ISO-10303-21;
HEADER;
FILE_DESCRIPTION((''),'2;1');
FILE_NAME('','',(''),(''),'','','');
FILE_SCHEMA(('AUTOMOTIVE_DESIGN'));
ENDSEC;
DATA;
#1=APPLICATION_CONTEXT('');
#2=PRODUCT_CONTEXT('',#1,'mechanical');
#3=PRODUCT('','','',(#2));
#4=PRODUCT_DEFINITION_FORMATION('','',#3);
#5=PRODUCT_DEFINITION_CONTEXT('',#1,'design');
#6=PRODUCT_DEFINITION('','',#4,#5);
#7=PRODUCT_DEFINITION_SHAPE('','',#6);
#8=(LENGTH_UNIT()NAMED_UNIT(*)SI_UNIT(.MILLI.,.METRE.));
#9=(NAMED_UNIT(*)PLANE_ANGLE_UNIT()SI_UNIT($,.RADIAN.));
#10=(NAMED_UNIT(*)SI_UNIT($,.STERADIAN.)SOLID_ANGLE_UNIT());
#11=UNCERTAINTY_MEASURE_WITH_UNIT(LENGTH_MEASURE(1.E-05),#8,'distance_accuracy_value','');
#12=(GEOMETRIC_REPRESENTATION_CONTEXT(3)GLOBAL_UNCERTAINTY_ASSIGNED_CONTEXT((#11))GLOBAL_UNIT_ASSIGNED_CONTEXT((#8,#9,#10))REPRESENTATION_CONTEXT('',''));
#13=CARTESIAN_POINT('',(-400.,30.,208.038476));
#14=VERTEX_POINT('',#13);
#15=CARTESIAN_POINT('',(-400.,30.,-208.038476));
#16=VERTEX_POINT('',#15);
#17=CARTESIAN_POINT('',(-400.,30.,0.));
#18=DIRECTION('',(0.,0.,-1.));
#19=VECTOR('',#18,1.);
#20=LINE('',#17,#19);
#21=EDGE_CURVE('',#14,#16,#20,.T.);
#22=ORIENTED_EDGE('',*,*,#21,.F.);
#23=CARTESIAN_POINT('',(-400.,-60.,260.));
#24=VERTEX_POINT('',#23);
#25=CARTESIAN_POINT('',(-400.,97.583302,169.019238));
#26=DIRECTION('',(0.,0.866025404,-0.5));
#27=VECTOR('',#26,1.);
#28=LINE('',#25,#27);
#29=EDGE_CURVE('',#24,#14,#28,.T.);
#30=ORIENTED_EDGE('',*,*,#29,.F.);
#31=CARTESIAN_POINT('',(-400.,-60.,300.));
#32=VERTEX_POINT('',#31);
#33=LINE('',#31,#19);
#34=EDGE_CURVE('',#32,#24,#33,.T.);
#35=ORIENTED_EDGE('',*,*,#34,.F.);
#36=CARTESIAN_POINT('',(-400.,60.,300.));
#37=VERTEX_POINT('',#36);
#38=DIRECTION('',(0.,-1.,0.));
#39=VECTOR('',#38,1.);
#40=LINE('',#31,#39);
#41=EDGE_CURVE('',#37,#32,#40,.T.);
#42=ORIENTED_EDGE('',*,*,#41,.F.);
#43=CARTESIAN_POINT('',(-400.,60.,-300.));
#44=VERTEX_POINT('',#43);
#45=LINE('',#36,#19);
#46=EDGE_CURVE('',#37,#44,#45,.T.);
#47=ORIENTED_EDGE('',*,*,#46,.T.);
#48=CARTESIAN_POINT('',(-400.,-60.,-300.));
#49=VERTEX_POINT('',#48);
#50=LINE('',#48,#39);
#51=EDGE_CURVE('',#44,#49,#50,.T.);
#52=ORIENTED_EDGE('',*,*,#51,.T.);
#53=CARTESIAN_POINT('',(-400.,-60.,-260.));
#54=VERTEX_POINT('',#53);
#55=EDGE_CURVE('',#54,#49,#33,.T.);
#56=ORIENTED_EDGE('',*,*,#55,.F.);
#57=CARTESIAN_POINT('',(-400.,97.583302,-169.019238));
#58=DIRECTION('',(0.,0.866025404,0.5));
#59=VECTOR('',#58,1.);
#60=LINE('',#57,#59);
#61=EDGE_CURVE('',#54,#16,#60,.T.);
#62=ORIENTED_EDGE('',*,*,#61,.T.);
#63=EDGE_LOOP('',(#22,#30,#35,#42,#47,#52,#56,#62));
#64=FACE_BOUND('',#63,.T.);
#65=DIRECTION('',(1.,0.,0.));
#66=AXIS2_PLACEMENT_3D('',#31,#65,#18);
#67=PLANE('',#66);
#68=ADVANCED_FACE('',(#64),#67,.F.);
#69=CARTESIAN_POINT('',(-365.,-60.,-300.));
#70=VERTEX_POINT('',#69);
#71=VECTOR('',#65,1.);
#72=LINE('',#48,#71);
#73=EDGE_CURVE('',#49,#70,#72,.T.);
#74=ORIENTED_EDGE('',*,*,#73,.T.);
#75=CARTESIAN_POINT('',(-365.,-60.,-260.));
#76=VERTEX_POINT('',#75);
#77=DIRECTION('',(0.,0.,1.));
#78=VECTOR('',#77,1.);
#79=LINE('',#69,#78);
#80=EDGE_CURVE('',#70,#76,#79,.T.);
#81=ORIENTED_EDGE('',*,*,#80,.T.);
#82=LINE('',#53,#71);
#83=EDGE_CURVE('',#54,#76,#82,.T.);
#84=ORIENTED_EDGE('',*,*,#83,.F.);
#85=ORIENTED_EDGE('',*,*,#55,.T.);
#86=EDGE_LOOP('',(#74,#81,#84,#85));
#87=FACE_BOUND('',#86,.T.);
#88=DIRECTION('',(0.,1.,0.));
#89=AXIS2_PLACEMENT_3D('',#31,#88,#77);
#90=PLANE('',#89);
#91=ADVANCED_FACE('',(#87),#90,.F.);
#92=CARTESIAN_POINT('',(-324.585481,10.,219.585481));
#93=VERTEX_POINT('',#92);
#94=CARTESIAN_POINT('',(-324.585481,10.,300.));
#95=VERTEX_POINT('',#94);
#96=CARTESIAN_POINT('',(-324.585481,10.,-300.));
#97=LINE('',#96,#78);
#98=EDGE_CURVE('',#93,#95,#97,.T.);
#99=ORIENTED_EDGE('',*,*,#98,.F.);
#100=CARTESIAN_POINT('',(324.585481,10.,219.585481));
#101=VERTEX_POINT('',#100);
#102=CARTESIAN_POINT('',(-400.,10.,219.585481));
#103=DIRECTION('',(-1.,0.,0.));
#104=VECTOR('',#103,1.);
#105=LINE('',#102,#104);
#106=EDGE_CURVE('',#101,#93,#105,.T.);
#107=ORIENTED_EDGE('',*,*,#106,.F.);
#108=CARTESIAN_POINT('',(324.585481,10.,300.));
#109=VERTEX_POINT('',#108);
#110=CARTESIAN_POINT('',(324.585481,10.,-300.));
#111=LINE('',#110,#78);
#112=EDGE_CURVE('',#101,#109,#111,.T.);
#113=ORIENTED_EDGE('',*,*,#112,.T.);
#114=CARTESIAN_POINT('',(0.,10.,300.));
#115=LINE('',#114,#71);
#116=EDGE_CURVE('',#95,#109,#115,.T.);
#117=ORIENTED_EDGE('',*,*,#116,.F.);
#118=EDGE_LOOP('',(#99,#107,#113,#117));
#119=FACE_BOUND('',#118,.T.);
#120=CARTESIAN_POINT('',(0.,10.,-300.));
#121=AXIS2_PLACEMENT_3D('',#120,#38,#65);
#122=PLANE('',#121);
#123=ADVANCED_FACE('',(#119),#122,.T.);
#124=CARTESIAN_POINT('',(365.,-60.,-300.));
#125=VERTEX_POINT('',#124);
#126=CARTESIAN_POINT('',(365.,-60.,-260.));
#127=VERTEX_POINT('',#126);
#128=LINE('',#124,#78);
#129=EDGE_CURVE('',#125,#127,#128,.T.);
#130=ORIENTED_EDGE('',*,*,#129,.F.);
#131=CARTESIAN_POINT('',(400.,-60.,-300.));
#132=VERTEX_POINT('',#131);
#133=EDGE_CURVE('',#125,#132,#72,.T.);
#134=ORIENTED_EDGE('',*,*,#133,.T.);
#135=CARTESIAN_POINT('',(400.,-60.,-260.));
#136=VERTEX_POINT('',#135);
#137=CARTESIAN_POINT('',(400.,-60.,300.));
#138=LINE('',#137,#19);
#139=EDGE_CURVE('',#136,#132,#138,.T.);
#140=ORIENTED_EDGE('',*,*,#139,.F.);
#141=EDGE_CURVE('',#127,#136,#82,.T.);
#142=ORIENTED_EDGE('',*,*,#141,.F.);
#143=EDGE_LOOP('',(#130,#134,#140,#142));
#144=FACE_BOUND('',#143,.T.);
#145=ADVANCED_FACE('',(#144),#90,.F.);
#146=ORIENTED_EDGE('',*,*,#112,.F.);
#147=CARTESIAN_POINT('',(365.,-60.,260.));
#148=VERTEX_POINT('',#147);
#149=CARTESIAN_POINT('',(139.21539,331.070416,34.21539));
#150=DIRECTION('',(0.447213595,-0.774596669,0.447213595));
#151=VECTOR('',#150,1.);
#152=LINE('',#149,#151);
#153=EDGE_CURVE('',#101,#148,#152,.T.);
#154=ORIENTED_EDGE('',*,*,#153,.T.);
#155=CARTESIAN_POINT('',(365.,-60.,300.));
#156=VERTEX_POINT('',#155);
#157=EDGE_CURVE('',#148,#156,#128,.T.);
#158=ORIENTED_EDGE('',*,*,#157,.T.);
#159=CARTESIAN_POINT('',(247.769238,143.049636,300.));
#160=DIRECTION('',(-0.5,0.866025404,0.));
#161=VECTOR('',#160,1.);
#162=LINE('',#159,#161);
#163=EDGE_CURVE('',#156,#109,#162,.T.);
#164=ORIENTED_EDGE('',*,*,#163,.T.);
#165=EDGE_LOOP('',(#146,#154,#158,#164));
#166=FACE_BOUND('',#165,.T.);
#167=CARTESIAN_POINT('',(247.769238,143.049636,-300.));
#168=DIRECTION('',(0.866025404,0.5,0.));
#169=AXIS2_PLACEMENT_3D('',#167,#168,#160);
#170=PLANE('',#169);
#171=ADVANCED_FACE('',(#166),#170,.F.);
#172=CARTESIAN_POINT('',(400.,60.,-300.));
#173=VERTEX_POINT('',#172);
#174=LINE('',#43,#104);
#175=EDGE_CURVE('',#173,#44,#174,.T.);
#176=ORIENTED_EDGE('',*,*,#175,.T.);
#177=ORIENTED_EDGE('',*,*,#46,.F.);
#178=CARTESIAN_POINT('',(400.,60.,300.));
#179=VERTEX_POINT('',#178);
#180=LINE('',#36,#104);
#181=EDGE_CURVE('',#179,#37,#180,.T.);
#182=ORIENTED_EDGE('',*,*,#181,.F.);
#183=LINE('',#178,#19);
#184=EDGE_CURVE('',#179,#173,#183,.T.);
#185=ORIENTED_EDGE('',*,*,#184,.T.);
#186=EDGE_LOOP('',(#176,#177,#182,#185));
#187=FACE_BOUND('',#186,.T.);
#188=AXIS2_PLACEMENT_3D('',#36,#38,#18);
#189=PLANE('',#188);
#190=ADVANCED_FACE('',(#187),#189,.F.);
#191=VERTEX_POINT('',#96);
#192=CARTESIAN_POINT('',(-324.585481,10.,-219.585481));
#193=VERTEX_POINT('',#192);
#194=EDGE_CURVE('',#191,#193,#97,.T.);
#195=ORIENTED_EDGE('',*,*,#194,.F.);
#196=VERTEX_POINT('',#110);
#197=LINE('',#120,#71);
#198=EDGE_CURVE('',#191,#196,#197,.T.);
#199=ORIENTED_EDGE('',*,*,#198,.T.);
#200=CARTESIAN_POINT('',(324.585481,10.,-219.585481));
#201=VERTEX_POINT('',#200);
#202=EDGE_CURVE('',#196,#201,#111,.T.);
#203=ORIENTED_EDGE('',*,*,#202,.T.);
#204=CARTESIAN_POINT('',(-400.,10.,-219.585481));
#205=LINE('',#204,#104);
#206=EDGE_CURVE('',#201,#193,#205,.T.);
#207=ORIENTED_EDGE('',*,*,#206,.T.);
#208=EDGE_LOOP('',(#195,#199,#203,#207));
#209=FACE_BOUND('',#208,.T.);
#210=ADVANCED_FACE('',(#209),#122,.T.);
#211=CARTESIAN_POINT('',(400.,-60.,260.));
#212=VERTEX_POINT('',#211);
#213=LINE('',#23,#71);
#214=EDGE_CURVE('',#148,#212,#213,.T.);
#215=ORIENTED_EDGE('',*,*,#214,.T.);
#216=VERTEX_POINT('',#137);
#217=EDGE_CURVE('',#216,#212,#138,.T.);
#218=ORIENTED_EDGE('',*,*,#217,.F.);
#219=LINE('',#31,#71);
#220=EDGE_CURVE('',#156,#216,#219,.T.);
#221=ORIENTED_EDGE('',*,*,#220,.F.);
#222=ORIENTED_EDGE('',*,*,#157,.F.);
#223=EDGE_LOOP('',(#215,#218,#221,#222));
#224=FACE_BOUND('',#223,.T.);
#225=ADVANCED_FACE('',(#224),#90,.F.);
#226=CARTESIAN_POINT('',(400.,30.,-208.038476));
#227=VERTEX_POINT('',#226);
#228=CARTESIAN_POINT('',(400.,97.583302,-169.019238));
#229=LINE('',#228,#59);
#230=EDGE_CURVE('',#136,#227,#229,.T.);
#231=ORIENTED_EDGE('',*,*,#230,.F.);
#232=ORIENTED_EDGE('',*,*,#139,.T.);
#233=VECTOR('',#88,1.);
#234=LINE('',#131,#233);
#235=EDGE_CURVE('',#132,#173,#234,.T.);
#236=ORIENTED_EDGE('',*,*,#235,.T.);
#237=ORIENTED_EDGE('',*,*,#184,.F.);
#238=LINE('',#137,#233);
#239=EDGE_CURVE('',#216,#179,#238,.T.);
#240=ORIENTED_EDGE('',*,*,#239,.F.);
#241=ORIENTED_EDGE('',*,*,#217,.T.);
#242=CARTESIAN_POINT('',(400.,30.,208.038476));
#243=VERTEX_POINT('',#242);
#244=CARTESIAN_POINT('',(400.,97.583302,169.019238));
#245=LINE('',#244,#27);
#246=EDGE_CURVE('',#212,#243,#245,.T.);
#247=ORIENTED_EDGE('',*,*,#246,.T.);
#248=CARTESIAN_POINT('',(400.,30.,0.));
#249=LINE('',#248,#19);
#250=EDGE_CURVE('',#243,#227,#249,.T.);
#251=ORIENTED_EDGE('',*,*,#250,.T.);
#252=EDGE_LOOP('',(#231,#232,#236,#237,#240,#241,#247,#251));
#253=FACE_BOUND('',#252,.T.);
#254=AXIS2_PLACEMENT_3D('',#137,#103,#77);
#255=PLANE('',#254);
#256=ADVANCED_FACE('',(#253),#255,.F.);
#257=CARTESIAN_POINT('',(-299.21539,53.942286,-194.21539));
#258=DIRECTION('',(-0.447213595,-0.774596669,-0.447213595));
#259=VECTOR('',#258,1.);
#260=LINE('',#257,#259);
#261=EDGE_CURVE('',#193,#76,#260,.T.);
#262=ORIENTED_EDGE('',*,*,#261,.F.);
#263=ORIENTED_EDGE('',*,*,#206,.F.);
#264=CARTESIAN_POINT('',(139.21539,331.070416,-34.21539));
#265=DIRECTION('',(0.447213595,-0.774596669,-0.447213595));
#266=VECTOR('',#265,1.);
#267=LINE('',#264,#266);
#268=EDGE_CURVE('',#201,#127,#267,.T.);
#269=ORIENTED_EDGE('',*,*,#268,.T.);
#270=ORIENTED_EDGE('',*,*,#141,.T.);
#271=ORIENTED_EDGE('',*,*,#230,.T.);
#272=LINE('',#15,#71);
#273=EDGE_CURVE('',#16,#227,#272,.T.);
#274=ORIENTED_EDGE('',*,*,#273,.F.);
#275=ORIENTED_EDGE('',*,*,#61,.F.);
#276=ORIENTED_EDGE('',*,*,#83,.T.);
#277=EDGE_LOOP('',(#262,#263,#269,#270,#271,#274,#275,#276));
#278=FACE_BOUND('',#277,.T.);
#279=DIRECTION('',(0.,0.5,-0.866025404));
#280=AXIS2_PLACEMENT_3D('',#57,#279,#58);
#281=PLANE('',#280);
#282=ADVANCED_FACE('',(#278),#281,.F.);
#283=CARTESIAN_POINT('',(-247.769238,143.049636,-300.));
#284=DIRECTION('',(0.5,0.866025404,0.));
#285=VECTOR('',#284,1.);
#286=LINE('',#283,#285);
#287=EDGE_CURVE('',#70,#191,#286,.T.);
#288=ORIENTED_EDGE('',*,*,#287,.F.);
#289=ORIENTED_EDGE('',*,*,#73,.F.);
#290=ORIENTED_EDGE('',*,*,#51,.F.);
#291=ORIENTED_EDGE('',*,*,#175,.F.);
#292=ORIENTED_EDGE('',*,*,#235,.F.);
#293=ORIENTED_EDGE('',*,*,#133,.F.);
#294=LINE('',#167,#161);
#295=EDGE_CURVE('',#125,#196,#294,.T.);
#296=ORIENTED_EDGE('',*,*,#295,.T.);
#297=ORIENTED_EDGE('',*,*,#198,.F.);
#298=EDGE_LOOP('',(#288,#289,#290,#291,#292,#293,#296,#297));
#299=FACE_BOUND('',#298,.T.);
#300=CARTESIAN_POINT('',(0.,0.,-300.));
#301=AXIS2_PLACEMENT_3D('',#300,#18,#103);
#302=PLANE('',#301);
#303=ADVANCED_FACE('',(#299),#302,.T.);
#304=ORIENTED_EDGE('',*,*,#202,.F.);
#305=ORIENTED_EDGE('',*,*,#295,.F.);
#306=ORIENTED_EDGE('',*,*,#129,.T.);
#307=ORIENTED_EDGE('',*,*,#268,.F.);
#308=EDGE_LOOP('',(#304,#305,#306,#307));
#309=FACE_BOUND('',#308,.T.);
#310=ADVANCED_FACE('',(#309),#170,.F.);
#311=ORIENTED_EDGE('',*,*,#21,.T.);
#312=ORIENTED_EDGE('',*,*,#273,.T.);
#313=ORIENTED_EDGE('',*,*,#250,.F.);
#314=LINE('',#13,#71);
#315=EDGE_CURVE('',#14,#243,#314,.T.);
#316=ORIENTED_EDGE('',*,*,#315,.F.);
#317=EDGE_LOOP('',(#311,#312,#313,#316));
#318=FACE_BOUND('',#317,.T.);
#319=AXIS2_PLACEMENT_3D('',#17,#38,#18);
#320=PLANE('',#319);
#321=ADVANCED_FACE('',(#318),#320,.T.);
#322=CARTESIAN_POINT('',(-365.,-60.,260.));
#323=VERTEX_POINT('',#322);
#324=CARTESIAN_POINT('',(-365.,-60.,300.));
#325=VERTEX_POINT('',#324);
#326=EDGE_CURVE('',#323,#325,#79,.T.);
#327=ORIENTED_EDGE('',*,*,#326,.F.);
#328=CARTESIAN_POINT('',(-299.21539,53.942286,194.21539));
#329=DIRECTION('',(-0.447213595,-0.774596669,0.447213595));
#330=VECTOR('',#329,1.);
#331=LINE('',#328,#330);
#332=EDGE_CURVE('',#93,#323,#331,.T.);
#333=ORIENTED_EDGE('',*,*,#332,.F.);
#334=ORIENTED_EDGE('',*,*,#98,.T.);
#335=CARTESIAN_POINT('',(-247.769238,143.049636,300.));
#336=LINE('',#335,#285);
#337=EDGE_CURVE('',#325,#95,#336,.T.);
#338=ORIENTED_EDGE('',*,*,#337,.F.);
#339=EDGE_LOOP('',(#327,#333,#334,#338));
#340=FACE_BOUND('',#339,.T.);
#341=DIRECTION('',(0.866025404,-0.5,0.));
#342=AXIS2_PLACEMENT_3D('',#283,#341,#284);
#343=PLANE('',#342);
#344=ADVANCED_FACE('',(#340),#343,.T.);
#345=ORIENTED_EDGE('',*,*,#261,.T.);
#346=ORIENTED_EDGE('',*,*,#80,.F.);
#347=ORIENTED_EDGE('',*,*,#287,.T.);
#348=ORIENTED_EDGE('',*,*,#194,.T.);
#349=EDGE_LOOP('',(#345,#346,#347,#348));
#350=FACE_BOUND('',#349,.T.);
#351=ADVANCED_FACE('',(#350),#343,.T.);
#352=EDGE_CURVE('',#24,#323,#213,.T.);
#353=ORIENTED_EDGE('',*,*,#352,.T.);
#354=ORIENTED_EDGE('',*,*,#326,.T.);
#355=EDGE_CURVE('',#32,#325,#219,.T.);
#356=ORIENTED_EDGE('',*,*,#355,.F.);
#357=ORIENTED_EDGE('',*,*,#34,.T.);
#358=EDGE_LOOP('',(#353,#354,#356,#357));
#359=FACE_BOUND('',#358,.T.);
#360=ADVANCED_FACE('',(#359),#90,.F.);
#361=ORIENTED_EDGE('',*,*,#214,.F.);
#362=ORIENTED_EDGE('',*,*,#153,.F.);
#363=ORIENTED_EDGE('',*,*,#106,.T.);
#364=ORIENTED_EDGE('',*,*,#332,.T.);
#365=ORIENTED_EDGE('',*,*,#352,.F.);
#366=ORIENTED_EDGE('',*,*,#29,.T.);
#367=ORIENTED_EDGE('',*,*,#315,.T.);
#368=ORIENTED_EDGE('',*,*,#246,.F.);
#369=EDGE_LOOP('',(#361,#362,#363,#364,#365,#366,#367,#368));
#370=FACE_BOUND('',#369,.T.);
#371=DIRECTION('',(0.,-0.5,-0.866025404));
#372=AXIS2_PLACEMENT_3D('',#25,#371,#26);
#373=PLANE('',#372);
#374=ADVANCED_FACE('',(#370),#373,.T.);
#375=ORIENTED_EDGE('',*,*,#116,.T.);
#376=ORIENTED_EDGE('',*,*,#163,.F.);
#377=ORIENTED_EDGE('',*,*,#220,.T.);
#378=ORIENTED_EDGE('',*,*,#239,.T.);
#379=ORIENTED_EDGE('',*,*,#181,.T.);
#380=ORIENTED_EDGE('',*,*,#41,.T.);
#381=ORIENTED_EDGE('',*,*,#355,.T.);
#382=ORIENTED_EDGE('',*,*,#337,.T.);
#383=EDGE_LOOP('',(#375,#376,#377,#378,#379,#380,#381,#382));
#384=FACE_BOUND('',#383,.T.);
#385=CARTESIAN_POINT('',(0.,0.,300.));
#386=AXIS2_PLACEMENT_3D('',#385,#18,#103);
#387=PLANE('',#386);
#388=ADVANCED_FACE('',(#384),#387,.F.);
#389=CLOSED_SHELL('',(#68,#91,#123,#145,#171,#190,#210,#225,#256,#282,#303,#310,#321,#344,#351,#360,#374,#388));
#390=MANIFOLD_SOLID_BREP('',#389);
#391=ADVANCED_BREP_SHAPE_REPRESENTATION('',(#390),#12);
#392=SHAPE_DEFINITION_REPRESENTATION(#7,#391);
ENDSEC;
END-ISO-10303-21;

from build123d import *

# Parameters (mm, degrees)
CROQUIS1_W              = 800
CROQUIS1_H              = 120
SALIENTE_EXTRUIR1_DEPTH = 300
CORTAR_EXTRUIR1_DEPTH   = 857.504524215
CORTAR_EXTRUIR2_DEPTH   = 600


with BuildPart() as part:
    # Croquis1 → Saliente-Extruir1 (new, symmetric)
    with BuildSketch(Plane.XY):
        Rectangle(CROQUIS1_W, CROQUIS1_H)
    extrude(amount=SALIENTE_EXTRUIR1_DEPTH, both=True)

    # Croquis2 → Cortar-Extruir1 (cut, through all)
    with BuildSketch(Plane(origin=(400, 0, 0), x_dir=(0, 0, -1), z_dir=(1, 0, 0))):
        Polygon((-208.038475773, 30), (-260, -60), (0, -60), (0, 30), align=None)
        Polygon((0, 30), (0, -60), (260, -60), (208.038475773, 30), align=None)
    extrude(amount=-CORTAR_EXTRUIR1_DEPTH, mode=Mode.SUBTRACT)

    # Croquis3 → Cortar-Extruir2 (cut)
    with BuildSketch(Plane.XY.offset(300)):
        Polygon((-324.585481157, 10), (-365, -60), (0, -60), (0, 10), align=None)
        Polygon((0, 10), (0, -60), (365, -60), (324.585481157, 10), align=None)
    extrude(amount=-CORTAR_EXTRUIR2_DEPTH, mode=Mode.SUBTRACT)


solid = part.part
